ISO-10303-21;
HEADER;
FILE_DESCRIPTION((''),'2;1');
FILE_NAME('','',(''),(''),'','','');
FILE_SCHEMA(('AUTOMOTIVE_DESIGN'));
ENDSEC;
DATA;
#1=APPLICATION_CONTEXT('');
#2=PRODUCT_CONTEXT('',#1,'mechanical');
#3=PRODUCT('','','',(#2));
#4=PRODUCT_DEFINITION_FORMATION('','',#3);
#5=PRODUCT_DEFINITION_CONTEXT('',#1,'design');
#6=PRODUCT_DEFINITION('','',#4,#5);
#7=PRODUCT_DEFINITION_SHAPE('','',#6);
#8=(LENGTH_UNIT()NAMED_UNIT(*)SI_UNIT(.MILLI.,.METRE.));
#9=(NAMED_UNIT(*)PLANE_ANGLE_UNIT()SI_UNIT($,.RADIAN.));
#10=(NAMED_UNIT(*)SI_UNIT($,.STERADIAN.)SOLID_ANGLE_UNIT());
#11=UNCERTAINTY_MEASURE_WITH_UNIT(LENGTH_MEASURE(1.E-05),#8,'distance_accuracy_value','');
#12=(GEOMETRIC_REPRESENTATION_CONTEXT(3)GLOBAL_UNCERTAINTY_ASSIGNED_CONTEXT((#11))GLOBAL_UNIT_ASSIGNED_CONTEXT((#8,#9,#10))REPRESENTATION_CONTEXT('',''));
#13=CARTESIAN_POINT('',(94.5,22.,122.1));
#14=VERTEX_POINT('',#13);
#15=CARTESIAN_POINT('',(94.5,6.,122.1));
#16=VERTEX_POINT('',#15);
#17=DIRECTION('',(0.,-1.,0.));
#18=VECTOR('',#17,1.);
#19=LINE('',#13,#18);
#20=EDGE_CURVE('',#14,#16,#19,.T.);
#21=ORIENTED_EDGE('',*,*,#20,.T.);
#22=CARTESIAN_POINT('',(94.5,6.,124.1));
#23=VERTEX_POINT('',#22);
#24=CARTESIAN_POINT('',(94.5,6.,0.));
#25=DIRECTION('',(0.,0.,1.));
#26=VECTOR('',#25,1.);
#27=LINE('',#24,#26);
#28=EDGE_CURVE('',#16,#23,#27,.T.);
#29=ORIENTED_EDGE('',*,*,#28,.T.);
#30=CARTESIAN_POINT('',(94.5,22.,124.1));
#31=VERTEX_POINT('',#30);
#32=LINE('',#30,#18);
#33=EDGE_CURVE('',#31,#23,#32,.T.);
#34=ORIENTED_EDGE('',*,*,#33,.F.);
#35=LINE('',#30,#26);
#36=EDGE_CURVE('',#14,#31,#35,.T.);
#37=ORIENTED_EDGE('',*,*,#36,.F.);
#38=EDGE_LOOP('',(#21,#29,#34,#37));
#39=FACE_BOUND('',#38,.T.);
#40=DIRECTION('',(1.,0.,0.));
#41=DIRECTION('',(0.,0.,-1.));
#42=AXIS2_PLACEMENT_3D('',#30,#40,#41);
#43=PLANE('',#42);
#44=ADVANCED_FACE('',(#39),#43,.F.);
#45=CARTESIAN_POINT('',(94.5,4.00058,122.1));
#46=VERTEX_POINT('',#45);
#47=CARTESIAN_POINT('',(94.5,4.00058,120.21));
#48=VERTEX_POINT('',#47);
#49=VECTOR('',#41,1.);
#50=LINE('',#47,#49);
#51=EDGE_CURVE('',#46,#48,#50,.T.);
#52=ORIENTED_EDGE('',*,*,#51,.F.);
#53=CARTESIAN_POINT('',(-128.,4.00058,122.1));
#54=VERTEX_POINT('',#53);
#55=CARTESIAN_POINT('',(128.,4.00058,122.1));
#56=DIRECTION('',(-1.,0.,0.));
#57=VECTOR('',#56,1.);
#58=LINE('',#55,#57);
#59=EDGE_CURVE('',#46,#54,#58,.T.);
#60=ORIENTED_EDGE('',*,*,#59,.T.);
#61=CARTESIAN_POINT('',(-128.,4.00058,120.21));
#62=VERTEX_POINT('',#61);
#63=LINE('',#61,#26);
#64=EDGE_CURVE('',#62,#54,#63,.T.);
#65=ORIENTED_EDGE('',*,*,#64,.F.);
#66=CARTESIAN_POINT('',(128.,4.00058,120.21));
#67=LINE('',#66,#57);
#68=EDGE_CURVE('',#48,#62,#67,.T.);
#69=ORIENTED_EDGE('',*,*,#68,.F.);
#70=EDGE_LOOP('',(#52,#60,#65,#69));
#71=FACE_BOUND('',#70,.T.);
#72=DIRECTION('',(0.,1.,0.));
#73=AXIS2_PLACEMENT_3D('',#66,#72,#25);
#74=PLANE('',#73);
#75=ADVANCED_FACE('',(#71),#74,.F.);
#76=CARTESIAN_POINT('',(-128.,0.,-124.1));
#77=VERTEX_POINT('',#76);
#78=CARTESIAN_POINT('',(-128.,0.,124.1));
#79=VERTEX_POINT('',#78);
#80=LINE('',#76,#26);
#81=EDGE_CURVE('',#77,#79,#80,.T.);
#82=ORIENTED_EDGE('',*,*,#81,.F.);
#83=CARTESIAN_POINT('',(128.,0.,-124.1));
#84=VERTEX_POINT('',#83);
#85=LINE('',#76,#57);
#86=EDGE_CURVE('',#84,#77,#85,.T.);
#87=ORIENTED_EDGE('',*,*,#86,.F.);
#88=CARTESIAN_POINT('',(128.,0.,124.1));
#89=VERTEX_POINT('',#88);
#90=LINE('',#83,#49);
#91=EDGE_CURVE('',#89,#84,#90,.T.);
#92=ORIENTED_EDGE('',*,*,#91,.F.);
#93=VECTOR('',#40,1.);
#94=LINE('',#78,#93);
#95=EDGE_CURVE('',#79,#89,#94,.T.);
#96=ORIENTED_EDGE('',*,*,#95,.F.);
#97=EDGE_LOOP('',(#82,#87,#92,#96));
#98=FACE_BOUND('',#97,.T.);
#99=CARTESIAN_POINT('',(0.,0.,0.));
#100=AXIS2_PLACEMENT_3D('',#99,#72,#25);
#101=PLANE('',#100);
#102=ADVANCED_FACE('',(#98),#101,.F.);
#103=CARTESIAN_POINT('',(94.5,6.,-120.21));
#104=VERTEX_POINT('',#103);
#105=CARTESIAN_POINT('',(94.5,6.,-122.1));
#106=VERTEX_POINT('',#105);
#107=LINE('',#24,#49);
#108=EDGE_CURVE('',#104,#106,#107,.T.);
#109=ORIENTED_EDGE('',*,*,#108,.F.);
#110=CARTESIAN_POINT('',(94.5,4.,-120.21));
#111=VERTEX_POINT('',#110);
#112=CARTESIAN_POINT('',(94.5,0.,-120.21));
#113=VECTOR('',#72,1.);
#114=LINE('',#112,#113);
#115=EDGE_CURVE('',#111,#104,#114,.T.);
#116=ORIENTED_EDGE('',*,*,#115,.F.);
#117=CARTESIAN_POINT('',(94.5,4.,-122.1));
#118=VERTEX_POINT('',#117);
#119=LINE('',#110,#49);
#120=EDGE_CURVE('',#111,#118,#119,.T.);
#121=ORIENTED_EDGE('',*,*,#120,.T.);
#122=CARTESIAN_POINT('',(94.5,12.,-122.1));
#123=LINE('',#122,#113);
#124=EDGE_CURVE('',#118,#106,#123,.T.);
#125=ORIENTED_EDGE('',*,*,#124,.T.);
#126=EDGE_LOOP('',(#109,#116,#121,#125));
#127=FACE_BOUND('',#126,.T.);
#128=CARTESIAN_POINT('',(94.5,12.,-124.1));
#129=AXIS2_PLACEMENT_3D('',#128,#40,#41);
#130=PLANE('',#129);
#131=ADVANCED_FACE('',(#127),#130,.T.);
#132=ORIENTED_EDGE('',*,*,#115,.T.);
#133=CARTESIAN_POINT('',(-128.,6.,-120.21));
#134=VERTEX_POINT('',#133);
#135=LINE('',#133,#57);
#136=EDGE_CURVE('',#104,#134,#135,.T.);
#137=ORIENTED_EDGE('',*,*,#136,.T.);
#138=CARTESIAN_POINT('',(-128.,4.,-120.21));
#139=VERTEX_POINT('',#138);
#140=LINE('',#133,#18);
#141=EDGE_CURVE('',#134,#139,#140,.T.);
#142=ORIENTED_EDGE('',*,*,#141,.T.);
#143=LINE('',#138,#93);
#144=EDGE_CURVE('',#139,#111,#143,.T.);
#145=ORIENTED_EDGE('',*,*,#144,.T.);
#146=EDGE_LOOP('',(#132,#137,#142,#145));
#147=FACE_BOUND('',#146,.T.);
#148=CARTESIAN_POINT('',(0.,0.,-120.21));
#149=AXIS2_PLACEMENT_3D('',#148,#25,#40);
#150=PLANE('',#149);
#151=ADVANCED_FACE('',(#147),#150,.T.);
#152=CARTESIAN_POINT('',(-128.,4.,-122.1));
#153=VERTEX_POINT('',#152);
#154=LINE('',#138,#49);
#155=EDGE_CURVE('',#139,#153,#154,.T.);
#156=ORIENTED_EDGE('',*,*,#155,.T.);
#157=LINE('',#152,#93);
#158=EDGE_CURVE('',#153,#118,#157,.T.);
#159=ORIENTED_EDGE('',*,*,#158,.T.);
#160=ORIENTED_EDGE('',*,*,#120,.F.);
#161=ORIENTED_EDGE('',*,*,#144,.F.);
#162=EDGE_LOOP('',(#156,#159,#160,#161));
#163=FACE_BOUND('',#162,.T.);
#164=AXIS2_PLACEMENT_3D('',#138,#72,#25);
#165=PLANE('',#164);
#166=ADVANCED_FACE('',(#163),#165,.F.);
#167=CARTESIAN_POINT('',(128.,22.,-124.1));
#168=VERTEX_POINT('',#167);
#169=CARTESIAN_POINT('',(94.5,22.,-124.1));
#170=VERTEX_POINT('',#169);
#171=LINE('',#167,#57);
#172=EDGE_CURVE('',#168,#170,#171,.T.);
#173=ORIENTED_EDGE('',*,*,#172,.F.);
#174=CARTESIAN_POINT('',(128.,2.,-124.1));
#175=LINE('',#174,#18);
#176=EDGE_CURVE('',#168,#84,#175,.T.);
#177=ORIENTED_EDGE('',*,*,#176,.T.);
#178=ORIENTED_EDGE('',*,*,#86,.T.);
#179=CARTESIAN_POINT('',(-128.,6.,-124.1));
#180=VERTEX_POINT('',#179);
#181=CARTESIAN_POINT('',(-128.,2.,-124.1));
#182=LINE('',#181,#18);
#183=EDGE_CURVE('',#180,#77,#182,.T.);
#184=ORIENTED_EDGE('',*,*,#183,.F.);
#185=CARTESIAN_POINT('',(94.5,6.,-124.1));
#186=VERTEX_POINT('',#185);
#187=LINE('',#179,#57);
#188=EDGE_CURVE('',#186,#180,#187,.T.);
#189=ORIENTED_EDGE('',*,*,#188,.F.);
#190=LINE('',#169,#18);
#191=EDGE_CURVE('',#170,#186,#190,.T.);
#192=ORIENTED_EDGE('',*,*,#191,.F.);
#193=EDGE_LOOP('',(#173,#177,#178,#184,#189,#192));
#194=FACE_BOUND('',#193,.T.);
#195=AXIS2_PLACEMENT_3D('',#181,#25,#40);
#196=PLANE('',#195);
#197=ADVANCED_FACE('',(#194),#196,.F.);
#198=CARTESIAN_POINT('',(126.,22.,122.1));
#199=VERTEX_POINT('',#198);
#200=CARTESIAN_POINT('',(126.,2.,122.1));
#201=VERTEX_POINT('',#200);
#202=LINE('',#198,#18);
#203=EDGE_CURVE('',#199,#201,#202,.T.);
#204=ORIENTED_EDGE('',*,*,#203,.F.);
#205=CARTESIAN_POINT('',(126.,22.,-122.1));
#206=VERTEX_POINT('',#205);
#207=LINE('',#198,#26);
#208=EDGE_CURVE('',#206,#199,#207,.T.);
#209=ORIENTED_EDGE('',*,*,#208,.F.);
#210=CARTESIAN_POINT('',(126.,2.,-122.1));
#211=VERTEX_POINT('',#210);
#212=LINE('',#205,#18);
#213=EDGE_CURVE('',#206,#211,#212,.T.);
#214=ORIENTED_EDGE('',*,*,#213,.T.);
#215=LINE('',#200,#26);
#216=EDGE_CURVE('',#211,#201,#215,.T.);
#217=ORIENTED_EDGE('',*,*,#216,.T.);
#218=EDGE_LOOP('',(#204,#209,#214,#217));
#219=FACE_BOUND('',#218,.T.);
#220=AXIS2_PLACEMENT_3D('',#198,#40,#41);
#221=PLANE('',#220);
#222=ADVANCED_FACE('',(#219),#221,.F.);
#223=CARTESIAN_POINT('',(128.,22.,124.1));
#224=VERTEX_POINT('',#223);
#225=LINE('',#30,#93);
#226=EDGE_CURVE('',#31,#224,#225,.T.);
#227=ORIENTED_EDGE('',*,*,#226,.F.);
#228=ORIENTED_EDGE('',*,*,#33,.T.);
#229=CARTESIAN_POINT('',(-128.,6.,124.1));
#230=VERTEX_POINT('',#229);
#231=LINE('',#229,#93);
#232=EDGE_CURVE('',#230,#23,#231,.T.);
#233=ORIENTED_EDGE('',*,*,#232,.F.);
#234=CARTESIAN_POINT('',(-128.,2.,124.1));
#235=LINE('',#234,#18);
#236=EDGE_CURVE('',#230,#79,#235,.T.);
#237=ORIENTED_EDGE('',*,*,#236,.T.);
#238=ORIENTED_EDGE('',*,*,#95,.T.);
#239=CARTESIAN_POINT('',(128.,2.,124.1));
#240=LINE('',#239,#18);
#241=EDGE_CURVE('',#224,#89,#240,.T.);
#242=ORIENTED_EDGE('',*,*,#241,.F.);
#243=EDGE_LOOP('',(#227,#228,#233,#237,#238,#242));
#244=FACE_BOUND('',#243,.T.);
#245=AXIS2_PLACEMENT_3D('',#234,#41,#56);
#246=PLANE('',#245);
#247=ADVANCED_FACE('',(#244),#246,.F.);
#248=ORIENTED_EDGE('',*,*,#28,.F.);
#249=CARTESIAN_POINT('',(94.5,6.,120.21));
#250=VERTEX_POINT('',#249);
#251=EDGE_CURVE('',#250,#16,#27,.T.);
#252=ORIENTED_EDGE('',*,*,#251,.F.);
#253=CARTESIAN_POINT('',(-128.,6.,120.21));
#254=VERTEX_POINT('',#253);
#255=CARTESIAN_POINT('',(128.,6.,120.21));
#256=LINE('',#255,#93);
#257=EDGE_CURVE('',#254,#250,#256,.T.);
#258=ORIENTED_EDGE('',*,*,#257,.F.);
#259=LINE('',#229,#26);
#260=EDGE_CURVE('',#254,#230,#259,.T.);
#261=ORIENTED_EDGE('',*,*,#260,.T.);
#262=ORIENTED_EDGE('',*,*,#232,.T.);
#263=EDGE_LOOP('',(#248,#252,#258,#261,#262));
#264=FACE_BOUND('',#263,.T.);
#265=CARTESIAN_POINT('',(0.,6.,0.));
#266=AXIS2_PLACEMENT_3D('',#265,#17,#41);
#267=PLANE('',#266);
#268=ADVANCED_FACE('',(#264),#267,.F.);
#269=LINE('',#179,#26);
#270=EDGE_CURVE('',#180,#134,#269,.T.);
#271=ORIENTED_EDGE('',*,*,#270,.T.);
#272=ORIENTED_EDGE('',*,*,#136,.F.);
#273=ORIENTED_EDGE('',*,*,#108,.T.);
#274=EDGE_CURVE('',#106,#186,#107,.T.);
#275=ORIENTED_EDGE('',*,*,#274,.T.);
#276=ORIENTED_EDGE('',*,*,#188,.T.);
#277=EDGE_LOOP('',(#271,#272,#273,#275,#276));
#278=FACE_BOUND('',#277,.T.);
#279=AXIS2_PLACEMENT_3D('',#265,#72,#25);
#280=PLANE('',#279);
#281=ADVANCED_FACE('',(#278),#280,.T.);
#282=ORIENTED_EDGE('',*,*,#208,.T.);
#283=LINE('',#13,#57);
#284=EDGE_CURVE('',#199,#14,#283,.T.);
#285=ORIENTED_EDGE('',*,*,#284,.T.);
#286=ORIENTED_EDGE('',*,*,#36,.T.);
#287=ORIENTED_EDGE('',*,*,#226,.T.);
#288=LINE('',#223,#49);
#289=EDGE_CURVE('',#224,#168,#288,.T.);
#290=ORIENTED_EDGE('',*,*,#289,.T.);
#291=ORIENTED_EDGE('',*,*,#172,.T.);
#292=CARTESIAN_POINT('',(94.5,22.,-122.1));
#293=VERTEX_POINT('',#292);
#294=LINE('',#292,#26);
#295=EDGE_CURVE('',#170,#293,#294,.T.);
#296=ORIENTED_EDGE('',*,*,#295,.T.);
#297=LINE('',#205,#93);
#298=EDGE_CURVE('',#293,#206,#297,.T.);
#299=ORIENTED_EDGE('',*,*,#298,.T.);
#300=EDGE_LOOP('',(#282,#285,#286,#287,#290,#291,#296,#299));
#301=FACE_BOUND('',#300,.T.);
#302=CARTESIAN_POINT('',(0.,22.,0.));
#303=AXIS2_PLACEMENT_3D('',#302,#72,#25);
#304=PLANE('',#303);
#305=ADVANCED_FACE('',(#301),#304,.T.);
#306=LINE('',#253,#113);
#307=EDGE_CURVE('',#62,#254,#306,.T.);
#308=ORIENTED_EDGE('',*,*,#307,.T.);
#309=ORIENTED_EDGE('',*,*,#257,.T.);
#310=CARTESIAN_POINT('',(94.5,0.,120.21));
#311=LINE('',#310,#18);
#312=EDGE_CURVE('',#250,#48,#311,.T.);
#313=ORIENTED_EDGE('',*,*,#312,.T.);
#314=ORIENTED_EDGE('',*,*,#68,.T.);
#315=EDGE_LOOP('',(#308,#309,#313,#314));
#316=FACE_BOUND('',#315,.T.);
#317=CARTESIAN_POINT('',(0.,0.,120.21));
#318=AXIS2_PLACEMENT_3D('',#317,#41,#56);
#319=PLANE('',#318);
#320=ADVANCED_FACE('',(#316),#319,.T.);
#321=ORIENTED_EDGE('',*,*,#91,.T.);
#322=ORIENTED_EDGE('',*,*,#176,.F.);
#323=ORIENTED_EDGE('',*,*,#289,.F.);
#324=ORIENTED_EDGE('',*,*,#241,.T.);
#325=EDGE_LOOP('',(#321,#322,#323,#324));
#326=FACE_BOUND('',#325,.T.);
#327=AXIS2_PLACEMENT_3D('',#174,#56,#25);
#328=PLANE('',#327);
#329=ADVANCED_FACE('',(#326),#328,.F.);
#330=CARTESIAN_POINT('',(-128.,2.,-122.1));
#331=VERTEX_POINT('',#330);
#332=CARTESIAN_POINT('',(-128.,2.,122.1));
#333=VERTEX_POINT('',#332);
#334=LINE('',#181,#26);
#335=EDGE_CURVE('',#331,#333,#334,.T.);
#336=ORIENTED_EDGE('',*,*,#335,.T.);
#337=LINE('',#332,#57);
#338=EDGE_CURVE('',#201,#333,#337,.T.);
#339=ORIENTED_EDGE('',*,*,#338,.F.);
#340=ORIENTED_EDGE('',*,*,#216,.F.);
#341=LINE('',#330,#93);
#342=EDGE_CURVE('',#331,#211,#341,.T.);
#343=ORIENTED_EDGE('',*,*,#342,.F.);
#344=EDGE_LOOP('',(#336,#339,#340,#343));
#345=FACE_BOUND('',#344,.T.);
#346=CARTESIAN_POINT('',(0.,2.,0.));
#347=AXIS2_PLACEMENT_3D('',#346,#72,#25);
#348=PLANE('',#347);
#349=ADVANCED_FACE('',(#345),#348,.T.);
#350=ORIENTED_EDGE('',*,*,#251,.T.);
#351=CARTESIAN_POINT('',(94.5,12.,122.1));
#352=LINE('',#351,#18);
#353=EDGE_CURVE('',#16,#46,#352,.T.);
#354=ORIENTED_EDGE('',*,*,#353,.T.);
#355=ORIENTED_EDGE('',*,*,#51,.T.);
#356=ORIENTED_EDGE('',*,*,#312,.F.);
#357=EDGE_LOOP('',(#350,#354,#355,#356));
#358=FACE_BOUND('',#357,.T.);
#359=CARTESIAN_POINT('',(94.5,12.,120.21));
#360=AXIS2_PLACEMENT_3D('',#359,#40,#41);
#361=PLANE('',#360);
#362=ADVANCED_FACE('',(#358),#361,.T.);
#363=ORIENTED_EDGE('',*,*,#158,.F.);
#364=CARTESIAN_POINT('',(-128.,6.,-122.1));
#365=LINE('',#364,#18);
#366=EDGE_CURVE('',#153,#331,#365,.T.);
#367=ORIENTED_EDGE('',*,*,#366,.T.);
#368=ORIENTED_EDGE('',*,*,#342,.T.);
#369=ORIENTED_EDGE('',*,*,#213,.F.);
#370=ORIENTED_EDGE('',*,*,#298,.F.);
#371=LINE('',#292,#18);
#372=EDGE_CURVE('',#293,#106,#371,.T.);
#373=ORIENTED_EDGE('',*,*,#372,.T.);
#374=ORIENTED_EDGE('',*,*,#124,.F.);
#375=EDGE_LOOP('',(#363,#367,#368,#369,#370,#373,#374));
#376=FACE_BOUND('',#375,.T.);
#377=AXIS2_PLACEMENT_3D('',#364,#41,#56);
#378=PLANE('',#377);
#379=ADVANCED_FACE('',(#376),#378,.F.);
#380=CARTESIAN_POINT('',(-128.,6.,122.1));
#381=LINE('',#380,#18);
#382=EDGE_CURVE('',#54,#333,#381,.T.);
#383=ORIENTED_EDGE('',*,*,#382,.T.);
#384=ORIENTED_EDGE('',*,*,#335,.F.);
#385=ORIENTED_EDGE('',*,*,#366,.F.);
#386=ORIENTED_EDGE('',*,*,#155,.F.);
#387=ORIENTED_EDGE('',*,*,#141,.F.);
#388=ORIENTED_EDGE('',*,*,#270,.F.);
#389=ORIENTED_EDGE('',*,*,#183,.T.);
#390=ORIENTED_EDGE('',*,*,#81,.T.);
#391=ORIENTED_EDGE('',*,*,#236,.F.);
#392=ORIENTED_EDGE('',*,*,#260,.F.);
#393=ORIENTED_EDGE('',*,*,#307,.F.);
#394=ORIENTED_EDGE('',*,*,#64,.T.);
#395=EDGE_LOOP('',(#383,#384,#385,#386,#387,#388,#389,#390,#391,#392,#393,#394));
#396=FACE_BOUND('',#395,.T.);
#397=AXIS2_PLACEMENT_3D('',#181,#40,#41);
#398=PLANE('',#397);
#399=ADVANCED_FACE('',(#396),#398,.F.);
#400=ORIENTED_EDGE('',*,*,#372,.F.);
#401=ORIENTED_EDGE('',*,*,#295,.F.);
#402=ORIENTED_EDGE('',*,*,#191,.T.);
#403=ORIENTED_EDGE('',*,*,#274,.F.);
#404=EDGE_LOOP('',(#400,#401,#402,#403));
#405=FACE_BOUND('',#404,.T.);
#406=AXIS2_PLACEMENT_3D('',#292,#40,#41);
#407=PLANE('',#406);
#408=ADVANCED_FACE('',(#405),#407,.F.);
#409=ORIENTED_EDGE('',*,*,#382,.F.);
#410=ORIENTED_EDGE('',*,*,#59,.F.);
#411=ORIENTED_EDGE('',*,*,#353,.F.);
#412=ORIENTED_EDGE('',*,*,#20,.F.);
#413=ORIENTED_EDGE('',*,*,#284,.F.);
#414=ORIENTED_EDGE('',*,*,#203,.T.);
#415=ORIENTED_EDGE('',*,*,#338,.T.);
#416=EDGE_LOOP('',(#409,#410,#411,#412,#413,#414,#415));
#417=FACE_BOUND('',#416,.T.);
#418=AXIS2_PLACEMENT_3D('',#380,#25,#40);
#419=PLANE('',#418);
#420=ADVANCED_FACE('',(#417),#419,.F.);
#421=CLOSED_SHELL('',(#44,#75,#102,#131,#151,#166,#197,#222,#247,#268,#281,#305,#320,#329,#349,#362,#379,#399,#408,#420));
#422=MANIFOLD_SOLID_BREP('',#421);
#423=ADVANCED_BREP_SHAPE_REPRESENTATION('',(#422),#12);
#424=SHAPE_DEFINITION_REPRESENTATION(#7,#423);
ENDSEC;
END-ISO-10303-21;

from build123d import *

# Parameters (mm, degrees)
SKETCH1_W           = 256
SKETCH1_H           = 248.2
BOSS_EXTRUDE1_DEPTH = 2
SKETCH2_W           = 256
SKETCH2_H           = 2
BOSS_EXTRUDE2_DEPTH = 4
SKETCH3_W           = 256
SKETCH3_H           = 1.999419648
BOSS_EXTRUDE3_DEPTH = 1.89
SKETCH4_W           = 256
SKETCH4_H           = 2
BOSS_EXTRUDE4_DEPTH = 1.89
SKETCH5_W           = 33.5
SKETCH5_H           = 3.89
CUT_EXTRUDE1_DEPTH  = 10
BOSS_EXTRUDE5_DEPTH = 20


with BuildPart() as part:
    # Sketch1 → Boss-Extrude1 (new body)
    with BuildSketch(Plane(origin=(0, 0, 0), x_dir=(1, 0, 0), z_dir=(0, 1, 0))):
        Rectangle(SKETCH1_W, SKETCH1_H)
    extrude(amount=BOSS_EXTRUDE1_DEPTH)

    # Sketch2 → Boss-Extrude2 (add)
    with BuildSketch(Plane(origin=(0, 2, 0), x_dir=(1, 0, 0), z_dir=(0, 1, 0))):
        with Locations((0, -123.1)):
            Rectangle(SKETCH2_W, SKETCH2_H)
        with Locations((0, 123.1)):
            Rectangle(SKETCH2_W, SKETCH2_H)
    extrude(amount=BOSS_EXTRUDE2_DEPTH)

    # Sketch3 → Boss-Extrude3 (add)
    with BuildSketch(Plane(origin=(0, 0, 122.1), x_dir=(-1, 0, 0), z_dir=(0, 0, -1))):
        with Locations((0, 5.000290176)):
            Rectangle(SKETCH3_W, SKETCH3_H)
    extrude(amount=BOSS_EXTRUDE3_DEPTH)

    # Sketch4 → Boss-Extrude4 (add)
    with BuildSketch(Plane.XY.offset(-122.1)):
        with Locations((0, 5)):
            Rectangle(SKETCH4_W, SKETCH4_H)
    extrude(amount=BOSS_EXTRUDE4_DEPTH)

    # Sketch5 → Cut-Extrude1 (cut)
    with BuildSketch(Plane(origin=(0, 2, 0), x_dir=(1, 0, 0), z_dir=(0, 1, 0))):
        with Locations((111.25, -122.155)):
            Rectangle(SKETCH5_W, SKETCH5_H)
        with Locations((111.25, 122.155)):
            Rectangle(SKETCH5_W, SKETCH5_H)
    extrude(amount=CUT_EXTRUDE1_DEPTH, mode=Mode.SUBTRACT)

    # Sketch6 → Boss-Extrude5 (add)
    with BuildSketch(Plane(origin=(0, 2, 0), x_dir=(1, 0, 0), z_dir=(0, 1, 0))):
        Polygon((94.5, -124.1), (94.5, -122.1), (126, -122.1), (126, 122.1), (94.5, 122.1), (94.5, 124.1), (128, 124.1), (128, -124.1), align=None)
    extrude(amount=BOSS_EXTRUDE5_DEPTH)


solid = part.part
